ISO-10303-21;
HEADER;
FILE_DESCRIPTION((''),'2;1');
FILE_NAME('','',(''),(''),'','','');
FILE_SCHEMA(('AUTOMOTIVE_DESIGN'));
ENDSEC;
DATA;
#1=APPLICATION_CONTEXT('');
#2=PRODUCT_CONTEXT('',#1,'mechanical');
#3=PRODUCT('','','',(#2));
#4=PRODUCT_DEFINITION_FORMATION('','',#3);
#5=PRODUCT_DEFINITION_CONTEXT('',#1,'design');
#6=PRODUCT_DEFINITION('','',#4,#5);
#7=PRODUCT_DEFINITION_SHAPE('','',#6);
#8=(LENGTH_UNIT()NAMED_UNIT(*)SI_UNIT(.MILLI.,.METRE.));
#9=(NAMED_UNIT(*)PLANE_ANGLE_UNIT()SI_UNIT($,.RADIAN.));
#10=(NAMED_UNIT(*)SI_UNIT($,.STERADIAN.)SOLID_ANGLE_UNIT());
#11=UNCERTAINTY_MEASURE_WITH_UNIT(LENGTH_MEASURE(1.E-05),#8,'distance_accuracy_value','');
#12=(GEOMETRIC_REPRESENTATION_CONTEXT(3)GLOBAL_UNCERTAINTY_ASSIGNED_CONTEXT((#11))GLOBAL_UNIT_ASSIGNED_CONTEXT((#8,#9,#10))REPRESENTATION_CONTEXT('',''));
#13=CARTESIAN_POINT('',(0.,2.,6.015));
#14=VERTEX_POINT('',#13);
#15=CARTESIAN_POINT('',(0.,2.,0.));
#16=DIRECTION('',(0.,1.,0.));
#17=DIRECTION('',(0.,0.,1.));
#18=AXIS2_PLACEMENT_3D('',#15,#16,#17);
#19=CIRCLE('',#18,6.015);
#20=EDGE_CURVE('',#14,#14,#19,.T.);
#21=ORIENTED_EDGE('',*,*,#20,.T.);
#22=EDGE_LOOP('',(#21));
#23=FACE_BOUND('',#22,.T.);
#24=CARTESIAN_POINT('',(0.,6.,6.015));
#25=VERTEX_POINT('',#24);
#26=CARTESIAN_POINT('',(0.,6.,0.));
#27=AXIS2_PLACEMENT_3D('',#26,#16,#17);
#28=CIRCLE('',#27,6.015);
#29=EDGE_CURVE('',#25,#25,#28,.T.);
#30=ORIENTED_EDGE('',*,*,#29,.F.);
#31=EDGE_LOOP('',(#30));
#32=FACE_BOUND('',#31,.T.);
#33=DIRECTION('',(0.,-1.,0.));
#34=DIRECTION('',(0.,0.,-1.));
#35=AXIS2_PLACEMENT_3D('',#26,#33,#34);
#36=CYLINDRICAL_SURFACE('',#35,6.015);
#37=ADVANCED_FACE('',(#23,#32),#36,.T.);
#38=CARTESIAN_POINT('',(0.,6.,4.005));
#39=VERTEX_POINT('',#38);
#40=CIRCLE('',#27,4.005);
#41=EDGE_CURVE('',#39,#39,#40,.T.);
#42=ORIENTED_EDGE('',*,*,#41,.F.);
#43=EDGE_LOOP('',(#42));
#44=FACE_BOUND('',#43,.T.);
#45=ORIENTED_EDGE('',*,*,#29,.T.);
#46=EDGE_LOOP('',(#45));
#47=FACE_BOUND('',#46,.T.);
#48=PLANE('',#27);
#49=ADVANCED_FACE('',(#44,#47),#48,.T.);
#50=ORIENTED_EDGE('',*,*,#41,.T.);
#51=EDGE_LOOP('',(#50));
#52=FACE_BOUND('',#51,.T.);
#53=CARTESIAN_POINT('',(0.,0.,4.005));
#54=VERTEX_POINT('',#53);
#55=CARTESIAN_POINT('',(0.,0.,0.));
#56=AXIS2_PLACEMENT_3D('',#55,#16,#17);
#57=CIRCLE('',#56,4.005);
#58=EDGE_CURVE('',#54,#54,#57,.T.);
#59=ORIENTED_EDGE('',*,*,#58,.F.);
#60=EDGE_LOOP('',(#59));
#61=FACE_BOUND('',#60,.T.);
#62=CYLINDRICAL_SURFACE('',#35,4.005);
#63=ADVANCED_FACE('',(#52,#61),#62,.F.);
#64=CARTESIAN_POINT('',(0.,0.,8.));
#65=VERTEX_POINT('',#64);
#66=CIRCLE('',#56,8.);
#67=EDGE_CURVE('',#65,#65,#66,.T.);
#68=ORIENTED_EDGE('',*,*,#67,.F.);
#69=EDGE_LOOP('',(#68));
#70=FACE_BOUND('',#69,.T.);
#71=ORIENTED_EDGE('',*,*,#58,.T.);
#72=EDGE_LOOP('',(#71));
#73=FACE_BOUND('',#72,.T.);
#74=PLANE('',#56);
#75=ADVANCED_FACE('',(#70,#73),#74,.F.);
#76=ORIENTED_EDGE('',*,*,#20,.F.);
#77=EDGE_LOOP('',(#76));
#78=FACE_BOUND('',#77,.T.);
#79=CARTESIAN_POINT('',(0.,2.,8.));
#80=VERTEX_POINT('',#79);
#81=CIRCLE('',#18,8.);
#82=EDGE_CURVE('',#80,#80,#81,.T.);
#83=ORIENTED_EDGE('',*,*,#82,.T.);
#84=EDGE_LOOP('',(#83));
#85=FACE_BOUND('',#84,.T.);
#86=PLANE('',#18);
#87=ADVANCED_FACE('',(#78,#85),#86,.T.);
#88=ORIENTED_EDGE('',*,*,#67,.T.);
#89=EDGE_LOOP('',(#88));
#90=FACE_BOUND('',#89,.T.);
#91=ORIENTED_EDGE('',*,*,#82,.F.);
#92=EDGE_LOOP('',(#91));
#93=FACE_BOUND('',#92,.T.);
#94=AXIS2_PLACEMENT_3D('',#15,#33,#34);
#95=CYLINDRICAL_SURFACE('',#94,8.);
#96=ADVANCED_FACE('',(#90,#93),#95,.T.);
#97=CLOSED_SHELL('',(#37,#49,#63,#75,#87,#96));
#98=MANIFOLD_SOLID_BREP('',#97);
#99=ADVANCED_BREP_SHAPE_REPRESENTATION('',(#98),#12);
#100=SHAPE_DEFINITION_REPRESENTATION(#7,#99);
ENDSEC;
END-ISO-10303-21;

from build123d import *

# Parameters (mm, degrees)
SKETCH2_R           = 6.015
SKETCH2_R_2         = 4.005
BOSS_EXTRUDE1_DEPTH = 6
SKETCH3_R           = 8
SKETCH3_R_2         = 6.015
BOSS_EXTRUDE2_DEPTH = 2


with BuildPart() as part:
    # Sketch2 → Boss-Extrude1 (new body)
    with BuildSketch(Plane(origin=(0, 0, 0), x_dir=(1, 0, 0), z_dir=(0, 1, 0))):
        Circle(SKETCH2_R)
        Circle(SKETCH2_R_2, mode=Mode.SUBTRACT)
    extrude(amount=BOSS_EXTRUDE1_DEPTH)

    # Sketch3 → Boss-Extrude2 (add)
    with BuildSketch(Plane(origin=(0, 0, 0), x_dir=(1, 0, 0), z_dir=(0, 1, 0))):
        Circle(SKETCH3_R)
        Circle(SKETCH3_R_2, mode=Mode.SUBTRACT)
    extrude(amount=BOSS_EXTRUDE2_DEPTH)


solid = part.part
